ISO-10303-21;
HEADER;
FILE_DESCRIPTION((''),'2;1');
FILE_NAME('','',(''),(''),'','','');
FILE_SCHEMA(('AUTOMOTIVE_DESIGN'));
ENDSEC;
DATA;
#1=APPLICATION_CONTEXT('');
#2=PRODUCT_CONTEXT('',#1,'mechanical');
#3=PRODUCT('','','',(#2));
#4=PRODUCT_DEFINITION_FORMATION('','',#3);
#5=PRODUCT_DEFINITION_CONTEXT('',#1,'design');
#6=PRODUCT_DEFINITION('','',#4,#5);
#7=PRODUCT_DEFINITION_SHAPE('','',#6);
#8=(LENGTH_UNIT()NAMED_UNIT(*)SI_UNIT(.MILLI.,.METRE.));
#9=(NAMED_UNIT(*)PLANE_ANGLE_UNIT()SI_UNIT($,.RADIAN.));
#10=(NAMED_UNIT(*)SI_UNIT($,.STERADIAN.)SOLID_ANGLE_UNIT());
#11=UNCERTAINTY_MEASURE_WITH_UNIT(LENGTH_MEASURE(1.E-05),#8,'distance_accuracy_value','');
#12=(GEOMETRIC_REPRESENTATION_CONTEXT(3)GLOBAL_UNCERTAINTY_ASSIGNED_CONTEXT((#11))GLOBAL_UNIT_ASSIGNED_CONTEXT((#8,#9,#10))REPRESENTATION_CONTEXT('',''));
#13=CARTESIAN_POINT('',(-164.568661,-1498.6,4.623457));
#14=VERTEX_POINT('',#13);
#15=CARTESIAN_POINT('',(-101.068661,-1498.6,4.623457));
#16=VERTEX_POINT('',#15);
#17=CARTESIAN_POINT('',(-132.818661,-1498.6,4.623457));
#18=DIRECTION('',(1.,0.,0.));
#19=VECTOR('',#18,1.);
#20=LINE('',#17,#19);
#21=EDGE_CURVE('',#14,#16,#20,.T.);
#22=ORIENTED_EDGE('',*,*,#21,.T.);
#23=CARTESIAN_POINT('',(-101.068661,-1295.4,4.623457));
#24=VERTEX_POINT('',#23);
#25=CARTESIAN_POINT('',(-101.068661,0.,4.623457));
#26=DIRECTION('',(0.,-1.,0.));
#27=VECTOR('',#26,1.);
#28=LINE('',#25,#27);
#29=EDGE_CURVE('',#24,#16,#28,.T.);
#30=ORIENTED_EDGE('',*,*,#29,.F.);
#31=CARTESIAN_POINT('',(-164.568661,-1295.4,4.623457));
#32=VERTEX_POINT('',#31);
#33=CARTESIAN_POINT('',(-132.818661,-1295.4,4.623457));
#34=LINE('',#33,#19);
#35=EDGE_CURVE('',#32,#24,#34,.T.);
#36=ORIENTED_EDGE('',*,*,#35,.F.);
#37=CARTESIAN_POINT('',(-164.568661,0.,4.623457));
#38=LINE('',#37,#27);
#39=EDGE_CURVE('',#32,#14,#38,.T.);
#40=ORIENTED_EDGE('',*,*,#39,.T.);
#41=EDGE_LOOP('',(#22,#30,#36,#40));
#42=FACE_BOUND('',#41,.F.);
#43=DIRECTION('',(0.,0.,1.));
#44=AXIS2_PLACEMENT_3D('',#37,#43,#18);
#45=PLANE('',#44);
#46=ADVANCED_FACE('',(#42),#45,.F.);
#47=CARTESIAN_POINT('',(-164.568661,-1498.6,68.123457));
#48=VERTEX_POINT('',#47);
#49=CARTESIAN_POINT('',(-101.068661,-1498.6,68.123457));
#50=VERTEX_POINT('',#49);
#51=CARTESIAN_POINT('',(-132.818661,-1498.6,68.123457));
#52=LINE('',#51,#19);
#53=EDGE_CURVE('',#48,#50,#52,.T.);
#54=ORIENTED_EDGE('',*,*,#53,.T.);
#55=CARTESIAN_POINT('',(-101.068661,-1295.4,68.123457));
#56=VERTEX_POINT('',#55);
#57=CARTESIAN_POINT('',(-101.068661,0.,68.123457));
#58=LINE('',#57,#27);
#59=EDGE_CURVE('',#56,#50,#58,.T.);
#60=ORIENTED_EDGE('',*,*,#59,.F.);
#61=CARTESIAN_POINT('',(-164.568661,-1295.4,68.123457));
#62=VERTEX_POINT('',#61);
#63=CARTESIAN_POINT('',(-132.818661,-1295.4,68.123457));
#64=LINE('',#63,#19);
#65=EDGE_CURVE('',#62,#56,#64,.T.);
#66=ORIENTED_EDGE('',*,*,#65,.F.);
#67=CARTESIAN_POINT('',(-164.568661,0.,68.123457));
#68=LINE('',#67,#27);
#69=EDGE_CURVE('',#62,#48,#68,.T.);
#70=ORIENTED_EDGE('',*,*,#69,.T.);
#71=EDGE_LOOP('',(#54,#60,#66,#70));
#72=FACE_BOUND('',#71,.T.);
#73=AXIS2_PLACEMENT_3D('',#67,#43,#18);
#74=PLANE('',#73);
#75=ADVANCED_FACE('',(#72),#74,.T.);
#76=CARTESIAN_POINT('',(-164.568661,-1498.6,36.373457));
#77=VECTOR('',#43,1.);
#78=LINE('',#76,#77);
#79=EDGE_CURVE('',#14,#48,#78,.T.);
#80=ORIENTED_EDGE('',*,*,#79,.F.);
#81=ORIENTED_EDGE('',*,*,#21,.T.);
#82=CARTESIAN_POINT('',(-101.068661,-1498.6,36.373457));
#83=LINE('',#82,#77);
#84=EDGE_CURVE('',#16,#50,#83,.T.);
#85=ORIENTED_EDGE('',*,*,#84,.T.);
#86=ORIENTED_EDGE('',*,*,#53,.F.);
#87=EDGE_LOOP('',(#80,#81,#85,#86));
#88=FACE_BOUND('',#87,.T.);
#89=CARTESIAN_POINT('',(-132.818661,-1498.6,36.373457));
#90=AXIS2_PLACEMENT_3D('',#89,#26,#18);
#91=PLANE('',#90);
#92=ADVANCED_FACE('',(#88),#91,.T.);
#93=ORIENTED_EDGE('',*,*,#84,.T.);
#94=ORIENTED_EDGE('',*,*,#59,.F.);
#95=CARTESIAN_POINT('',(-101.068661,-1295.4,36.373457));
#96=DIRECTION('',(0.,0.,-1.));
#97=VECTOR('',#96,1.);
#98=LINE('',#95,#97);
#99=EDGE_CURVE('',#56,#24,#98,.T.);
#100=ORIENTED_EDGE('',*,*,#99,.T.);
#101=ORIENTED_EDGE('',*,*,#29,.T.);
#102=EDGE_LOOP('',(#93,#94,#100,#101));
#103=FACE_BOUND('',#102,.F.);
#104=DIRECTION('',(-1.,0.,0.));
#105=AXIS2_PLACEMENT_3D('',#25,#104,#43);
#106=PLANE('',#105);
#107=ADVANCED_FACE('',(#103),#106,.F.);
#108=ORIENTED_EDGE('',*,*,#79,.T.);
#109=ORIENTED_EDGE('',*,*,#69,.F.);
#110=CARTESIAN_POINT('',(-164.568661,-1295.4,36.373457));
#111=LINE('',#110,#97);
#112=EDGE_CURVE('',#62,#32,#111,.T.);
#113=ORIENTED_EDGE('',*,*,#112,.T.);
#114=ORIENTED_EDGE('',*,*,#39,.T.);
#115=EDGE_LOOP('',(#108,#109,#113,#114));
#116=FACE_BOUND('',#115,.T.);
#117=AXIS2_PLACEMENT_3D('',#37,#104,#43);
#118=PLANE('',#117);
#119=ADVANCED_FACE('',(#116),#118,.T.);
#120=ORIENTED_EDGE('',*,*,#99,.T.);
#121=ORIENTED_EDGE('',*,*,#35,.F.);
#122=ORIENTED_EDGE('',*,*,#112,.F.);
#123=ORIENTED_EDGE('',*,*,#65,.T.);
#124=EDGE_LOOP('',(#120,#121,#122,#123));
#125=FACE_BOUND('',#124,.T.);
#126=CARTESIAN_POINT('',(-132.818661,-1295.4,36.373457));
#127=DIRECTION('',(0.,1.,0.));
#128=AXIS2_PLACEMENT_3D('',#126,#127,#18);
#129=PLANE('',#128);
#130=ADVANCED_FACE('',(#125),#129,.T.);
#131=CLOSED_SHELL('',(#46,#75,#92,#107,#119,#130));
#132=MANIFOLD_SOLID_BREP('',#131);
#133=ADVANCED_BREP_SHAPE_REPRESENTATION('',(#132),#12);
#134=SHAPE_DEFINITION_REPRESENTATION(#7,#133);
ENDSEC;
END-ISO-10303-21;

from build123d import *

# Parameters (mm, degrees)
F0_W      = 63.5
F0_H      = 63.5
F1_DEPTH  = 1498.6
F1_FACE_W = 63.5
F1_FACE_H = 63.5
F2_DEPTH  = 1092.2
F2_FACE_W = 63.5
F2_FACE_H = 63.5
F3_DEPTH  = 203.2


with BuildPart() as f1:
    # F0 (on Front) → F1 (new body)
    with BuildSketch(Plane.XZ):
        with Locations((-132.818661, 36.373457)):
            Rectangle(F0_W, F0_H)
    extrude(amount=F1_DEPTH)

    # F1_face (on face) → F2 (cut)
    with BuildSketch(Plane(origin=(-132.818661, 0, 36.373457), x_dir=(1, 0, 0), z_dir=(0, 1, 0))):
        Rectangle(F1_FACE_W, F1_FACE_H)
    extrude(amount=-F2_DEPTH, mode=Mode.SUBTRACT)

    # F2_face (on face) → F3 (cut)
    with BuildSketch(Plane(origin=(-132.818661, -1092.2, 36.373457), x_dir=(1, 0, 0), z_dir=(0, 1, 0))):
        Rectangle(F2_FACE_W, F2_FACE_H)
    extrude(amount=-F3_DEPTH, mode=Mode.SUBTRACT)


solid = f1.part
